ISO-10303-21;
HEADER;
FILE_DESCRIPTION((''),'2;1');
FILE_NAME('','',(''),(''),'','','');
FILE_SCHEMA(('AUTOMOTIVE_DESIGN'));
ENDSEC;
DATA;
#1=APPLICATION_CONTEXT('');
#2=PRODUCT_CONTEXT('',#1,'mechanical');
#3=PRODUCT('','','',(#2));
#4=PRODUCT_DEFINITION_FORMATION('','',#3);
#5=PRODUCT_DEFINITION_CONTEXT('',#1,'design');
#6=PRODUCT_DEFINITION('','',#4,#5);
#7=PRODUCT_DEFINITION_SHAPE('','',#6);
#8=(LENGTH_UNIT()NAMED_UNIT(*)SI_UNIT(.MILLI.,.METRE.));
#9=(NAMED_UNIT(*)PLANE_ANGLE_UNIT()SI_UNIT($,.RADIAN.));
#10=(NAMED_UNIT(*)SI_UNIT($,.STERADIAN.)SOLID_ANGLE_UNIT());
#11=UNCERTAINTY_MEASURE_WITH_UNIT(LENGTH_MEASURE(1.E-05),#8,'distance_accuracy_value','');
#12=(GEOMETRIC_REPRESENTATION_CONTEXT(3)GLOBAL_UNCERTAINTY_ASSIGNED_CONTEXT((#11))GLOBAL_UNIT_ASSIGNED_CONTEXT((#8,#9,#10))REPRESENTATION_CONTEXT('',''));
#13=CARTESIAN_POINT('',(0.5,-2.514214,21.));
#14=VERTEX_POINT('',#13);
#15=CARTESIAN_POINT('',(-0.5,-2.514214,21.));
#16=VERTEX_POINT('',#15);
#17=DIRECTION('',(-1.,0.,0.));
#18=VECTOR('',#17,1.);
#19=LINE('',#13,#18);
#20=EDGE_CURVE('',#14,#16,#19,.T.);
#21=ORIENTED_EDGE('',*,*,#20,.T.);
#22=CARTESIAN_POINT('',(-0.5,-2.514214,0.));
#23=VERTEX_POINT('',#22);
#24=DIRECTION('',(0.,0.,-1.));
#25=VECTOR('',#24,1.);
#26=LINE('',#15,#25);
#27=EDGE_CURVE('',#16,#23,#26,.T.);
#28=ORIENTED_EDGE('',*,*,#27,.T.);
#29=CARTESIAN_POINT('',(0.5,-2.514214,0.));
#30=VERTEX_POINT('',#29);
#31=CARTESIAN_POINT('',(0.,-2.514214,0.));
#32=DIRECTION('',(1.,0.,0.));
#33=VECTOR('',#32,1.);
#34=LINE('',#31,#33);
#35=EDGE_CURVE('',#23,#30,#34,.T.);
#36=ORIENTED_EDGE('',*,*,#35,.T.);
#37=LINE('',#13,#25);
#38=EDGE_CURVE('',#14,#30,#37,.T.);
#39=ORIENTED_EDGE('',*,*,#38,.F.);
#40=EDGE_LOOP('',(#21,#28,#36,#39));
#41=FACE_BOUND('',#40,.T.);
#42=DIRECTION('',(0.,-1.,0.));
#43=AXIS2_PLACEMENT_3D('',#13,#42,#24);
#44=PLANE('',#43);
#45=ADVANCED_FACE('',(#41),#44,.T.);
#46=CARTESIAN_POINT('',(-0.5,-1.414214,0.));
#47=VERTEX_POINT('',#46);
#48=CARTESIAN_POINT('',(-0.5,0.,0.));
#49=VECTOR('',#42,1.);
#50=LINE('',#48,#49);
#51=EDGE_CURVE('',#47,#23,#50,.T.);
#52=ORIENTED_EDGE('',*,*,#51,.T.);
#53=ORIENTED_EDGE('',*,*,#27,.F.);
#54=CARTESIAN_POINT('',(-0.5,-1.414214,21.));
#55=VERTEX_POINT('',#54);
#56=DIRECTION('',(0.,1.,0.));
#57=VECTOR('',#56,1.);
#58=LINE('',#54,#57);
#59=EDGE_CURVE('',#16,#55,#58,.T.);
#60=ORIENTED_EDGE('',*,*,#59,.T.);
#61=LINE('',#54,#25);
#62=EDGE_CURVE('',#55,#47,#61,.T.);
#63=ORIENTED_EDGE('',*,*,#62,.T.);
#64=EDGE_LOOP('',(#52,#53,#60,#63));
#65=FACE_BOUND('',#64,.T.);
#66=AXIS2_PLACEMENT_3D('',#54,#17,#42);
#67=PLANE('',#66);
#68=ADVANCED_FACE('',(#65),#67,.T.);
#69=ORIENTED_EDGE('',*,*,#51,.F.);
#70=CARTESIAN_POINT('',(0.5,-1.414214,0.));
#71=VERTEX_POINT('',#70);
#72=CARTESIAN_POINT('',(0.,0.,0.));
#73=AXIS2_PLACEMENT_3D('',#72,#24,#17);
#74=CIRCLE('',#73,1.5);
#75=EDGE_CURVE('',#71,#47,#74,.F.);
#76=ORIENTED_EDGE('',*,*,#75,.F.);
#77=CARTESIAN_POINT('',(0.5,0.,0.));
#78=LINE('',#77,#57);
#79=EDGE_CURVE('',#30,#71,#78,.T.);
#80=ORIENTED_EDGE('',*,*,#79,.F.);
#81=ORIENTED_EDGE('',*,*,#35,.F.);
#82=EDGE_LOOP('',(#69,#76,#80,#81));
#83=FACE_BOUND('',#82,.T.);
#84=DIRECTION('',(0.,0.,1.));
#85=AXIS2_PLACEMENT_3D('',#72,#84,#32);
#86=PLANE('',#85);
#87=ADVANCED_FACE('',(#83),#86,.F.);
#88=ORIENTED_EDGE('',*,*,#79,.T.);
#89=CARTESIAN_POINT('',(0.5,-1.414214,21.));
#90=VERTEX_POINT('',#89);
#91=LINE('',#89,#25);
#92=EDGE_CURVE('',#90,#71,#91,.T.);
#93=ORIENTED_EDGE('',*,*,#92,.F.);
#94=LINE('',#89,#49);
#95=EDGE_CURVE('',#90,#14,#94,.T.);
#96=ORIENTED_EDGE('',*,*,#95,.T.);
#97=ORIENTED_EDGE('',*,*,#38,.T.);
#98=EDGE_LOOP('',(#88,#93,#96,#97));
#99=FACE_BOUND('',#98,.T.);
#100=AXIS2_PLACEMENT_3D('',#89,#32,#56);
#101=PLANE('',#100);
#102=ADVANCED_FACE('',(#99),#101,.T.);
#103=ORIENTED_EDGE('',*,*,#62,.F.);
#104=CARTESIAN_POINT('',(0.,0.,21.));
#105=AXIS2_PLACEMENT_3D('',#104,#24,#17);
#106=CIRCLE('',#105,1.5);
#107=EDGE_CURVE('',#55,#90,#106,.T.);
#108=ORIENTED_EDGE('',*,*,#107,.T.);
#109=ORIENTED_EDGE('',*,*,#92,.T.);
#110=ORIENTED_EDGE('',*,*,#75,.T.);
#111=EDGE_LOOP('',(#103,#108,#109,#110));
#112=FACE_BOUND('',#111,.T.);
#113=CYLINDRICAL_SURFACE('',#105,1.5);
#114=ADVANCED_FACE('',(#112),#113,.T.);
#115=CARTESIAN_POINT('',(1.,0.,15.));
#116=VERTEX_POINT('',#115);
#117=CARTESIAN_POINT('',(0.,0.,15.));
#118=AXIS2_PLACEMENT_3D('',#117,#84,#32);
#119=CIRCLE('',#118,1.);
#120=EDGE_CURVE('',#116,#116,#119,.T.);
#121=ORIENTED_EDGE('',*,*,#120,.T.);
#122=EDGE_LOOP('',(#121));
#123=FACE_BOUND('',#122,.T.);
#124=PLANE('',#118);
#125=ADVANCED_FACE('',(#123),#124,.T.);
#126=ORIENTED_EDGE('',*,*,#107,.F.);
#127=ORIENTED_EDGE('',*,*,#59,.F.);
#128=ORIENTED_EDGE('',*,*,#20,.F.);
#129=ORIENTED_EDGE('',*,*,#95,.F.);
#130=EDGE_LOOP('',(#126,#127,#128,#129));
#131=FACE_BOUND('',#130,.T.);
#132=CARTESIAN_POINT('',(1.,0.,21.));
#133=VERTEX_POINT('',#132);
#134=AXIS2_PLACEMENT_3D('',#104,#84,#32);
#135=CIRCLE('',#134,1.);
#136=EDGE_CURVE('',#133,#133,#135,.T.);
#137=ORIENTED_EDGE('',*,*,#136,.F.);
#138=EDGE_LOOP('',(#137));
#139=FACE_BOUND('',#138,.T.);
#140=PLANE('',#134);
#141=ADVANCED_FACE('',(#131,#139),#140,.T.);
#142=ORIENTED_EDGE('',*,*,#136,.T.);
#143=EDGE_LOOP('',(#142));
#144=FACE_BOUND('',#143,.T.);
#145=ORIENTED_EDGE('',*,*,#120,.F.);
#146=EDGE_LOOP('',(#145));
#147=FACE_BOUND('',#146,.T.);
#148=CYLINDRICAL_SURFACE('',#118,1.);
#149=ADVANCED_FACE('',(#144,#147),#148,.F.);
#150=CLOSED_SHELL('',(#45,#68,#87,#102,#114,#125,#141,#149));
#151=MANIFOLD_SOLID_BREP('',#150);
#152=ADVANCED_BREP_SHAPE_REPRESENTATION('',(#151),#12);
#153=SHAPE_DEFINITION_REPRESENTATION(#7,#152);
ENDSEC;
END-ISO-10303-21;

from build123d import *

# Parameters (mm, degrees)
SKETCH1_R               = 5
BOSS_EXTRUDE1_DEPTH     = 21
CUT_EXTRUDE1_DEPTH      = 23.158519806
CUT_EXTRUDE1_DEPTH_BACK = 23.158519806
SKETCH2_OUTSIDE_W       = 17.064
SKETCH2_OUTSIDE_H       = 17.064
SKETCH6_R               = 1
CUT_EXTRUDE4_DEPTH      = 6


with BuildPart() as part:
    # Sketch1 → Boss-Extrude1 (new body)
    with BuildSketch(Plane.XY):
        with Locations(Location((0, 0, 0), (0, 0, 180))):
            Circle(SKETCH1_R)
    extrude(amount=BOSS_EXTRUDE1_DEPTH)

    # Sketch2 outside → Cut-Extrude1 (cut, two sides: drawn at the far end of the back side and taken through both)
    with BuildSketch(Plane(origin=(0, 0, 0), x_dir=(-1, 0, 0), z_dir=(0, 0, -1)).offset(-CUT_EXTRUDE1_DEPTH_BACK)):
        Rectangle(SKETCH2_OUTSIDE_W, SKETCH2_OUTSIDE_H)
        with BuildLine():
            Line((-0.5, -1.414213562), (-0.5, -2.514213562))
            Line((-0.5, -2.514213562), (0.5, -2.514213562))
            Line((0.5, -2.514213562), (0.5, -1.414213562))
            ThreePointArc((0.5, -1.414213562), (0, 1.5), (-0.5, -1.414213562))
        make_face(mode=Mode.SUBTRACT)
    extrude(amount=CUT_EXTRUDE1_DEPTH + CUT_EXTRUDE1_DEPTH_BACK, mode=Mode.SUBTRACT)

    # Sketch6 → Cut-Extrude4 (cut)
    with BuildSketch(Plane.XY.offset(21)):
        Circle(SKETCH6_R)
    extrude(amount=-CUT_EXTRUDE4_DEPTH, mode=Mode.SUBTRACT)


solid = part.part
